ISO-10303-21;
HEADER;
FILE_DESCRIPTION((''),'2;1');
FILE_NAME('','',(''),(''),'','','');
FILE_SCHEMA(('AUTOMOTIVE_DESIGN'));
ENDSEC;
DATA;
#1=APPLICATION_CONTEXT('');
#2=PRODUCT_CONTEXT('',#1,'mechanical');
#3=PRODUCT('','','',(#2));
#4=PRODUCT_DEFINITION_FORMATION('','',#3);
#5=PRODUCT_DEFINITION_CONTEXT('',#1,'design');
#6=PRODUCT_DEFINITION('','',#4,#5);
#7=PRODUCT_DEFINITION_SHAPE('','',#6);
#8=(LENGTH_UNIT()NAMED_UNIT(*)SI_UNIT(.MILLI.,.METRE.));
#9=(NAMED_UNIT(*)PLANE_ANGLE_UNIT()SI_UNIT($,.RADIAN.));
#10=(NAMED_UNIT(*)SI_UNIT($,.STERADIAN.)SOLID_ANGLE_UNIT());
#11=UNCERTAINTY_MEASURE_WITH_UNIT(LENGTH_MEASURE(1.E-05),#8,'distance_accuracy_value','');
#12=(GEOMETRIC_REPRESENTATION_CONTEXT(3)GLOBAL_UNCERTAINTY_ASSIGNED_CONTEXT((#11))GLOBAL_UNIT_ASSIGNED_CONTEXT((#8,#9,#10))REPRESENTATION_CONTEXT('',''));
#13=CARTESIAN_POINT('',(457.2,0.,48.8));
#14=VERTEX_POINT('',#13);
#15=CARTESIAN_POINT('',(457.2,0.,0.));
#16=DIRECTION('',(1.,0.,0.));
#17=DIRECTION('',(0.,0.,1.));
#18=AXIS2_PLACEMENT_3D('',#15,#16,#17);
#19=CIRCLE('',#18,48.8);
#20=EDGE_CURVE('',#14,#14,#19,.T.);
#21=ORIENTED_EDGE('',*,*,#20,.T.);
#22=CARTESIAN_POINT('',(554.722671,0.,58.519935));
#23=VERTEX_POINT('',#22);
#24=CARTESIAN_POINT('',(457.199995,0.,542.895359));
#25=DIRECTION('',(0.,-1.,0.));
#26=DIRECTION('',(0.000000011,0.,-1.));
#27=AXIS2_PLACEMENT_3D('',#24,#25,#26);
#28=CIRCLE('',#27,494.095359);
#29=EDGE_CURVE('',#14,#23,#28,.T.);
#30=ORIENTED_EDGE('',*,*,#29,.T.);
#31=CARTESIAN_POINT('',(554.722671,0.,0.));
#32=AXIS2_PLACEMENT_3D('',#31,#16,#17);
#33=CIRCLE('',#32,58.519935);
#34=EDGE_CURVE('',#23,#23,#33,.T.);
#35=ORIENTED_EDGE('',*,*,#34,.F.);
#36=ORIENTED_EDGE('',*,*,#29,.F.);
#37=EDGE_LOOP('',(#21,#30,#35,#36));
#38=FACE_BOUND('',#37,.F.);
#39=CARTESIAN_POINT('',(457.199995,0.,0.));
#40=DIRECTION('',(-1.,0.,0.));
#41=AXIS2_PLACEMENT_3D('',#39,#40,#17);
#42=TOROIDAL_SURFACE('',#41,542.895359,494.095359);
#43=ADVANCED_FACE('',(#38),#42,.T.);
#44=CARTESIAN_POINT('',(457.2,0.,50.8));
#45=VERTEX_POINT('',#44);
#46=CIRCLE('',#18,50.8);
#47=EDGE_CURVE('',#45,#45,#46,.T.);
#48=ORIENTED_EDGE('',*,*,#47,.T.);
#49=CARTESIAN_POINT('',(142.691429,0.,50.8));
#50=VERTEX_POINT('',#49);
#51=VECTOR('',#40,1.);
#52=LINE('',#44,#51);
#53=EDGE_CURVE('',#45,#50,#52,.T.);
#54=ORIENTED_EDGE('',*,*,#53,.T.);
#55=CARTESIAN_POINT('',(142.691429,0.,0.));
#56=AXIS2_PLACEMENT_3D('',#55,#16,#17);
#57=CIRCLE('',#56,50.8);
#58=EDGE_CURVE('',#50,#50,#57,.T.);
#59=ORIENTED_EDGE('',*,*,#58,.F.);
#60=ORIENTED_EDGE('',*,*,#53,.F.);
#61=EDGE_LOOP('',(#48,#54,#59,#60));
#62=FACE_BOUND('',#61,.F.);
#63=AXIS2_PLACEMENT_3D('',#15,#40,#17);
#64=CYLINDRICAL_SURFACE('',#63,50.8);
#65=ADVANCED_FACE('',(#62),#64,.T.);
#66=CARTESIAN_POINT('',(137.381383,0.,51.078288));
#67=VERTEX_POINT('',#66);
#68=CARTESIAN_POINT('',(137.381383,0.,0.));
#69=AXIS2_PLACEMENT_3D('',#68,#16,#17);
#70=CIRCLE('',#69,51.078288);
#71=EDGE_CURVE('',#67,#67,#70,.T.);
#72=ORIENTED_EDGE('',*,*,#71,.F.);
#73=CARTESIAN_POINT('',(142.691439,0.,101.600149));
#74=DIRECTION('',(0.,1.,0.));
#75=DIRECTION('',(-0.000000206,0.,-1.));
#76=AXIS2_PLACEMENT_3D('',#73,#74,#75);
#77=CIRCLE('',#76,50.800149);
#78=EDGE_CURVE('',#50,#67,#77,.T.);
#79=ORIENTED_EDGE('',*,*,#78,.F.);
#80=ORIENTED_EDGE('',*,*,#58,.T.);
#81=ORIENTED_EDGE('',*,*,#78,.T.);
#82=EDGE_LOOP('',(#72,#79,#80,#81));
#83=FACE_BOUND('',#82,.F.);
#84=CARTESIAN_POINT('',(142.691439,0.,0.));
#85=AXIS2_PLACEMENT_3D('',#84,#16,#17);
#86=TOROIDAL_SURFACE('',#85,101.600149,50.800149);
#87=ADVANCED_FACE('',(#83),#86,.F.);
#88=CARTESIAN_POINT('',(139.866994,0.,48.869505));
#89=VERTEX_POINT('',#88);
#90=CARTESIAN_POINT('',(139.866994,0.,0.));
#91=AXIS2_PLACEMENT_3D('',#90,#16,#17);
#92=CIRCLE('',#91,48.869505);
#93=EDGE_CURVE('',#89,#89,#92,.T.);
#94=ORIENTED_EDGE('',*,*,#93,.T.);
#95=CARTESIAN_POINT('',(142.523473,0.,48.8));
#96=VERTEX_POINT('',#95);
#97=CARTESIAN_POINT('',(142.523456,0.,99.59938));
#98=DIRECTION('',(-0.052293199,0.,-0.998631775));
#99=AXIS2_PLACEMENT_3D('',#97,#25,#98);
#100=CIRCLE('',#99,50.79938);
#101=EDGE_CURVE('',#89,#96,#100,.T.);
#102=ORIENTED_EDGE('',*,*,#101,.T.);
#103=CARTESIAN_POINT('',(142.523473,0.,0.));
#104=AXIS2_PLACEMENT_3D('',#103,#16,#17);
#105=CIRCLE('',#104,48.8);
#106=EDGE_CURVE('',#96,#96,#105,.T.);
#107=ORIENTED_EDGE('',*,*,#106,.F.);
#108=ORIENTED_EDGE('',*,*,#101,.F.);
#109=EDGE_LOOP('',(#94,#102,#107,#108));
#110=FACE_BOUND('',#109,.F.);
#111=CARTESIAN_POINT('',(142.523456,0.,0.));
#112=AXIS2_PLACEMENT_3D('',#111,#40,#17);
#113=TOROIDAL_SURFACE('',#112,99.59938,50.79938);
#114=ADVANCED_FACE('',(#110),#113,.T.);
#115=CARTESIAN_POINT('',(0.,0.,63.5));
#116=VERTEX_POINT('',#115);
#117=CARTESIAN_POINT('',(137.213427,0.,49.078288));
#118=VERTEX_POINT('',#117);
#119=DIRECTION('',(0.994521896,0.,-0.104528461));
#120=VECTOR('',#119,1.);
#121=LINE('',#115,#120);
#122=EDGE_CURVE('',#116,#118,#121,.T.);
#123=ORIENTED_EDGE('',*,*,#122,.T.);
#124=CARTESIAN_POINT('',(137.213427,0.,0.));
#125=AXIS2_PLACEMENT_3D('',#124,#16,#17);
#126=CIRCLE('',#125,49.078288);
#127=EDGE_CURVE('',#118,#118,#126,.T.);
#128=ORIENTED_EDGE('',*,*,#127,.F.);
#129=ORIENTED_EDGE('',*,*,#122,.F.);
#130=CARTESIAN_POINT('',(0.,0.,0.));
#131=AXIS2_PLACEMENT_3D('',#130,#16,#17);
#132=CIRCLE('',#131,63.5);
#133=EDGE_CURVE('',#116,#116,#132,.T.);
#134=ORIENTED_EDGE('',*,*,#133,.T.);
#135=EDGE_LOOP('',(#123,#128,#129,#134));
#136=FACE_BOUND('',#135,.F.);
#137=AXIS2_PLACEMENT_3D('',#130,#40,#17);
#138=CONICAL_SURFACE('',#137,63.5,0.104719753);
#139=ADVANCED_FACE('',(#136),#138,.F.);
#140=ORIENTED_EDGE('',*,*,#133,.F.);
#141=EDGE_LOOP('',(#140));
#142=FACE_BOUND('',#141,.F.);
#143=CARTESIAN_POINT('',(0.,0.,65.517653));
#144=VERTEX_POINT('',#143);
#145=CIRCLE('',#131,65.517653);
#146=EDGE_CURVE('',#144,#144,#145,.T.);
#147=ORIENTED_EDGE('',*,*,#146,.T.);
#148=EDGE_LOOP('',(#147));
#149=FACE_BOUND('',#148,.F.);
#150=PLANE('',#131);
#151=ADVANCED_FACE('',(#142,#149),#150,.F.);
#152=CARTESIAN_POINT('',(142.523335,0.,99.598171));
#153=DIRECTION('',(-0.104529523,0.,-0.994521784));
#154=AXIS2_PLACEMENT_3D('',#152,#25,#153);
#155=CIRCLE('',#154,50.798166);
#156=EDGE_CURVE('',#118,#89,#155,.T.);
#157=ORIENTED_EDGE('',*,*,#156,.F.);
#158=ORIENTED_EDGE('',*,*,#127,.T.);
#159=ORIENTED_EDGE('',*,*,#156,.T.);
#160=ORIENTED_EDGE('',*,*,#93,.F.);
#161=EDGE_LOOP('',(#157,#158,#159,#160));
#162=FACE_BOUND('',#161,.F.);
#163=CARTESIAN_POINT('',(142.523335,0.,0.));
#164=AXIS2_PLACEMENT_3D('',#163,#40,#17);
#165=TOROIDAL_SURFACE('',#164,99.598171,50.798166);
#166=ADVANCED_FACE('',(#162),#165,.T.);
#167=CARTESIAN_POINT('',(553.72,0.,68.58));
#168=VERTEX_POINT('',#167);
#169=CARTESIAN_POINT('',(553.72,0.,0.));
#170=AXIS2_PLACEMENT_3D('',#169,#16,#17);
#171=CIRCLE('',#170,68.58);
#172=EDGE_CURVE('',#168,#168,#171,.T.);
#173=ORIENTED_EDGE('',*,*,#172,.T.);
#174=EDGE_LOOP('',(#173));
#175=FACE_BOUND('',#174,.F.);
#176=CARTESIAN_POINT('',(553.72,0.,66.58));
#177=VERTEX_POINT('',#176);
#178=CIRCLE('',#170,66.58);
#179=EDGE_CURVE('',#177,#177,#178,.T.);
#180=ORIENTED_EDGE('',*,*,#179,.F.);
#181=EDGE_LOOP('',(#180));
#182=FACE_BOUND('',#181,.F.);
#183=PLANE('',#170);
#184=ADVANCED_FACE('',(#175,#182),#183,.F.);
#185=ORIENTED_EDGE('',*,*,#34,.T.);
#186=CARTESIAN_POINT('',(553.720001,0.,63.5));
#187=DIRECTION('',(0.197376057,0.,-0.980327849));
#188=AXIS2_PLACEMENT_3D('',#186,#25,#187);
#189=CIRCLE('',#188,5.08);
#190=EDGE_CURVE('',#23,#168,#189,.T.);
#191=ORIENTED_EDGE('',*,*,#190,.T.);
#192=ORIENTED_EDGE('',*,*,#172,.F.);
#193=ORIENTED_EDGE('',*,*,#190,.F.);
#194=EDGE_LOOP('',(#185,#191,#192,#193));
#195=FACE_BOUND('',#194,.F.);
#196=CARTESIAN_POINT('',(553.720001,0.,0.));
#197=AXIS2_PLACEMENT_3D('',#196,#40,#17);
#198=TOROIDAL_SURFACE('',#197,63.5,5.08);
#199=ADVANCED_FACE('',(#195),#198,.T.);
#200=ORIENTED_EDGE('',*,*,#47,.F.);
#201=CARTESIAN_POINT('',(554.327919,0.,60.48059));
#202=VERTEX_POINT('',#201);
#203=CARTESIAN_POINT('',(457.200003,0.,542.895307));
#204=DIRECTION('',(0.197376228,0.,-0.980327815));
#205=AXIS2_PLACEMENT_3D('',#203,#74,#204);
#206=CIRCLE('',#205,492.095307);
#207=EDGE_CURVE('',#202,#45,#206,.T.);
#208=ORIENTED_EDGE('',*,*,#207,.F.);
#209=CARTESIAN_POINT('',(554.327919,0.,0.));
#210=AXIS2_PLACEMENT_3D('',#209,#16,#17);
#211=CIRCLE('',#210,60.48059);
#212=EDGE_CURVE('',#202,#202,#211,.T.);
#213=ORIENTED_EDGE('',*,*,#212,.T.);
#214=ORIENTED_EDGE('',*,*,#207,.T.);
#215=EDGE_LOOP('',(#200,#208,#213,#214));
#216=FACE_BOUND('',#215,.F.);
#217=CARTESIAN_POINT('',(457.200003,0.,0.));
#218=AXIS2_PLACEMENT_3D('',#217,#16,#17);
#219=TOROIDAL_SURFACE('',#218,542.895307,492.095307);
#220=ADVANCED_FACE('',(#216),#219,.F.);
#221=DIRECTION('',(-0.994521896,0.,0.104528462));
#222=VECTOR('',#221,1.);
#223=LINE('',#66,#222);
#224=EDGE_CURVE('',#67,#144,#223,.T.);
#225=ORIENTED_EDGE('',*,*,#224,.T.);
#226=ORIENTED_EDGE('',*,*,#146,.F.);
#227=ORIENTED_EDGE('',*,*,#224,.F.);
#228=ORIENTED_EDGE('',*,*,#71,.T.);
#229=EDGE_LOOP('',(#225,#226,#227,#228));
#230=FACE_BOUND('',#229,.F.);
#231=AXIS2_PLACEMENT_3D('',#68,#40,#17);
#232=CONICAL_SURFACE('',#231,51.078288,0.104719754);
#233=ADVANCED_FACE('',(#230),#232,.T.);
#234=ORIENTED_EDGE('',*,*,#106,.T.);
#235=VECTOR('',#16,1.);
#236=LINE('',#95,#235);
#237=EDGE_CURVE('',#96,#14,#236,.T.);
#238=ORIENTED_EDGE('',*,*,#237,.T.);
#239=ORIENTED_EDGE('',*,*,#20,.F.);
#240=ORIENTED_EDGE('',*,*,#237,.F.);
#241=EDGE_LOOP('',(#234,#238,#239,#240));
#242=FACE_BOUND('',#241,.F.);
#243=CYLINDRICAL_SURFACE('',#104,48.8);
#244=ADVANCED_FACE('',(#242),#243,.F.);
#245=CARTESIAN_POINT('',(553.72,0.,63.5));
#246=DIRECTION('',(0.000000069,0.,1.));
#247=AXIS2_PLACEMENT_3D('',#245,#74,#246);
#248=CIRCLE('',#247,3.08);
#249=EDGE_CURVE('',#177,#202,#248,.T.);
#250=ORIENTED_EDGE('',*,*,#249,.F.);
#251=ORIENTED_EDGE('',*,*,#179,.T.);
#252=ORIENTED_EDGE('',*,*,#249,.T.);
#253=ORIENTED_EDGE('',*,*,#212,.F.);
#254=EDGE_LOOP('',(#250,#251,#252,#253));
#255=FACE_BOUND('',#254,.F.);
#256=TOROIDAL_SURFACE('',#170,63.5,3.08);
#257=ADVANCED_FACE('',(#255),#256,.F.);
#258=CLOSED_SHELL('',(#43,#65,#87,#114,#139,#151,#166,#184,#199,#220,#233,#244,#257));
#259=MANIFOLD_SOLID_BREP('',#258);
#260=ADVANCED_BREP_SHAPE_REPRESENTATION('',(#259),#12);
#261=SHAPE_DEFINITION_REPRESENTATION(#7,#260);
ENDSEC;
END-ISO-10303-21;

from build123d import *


with BuildPart() as f1:
    # F0 (on Front) → F1 (revolve)
    with BuildSketch(Plane.XZ):
        with BuildLine():
            Line((457.2, 50.8), (142.691429, 50.8))
            ThreePointArc((142.691429, 50.8), (140.032762, 50.86962), (137.381383, 51.078288))
            Line((137.381383, 51.078288), (0, 65.517653))
            Line((0, 65.517653), (0, 63.5))
            Line((0, 63.5), (137.213427, 49.078288))
            ThreePointArc((137.213427, 49.078288), (138.538843, 48.956513), (139.866994, 48.869505))
            ThreePointArc((139.866994, 48.869505), (141.194779, 48.817379), (142.523473, 48.8))
            Line((142.523473, 48.8), (457.2, 48.8))
            ThreePointArc((457.2, 48.8), (506.20293, 51.235989), (554.722671, 58.519935))
            ThreePointArc((554.722671, 58.519935), (558.774955, 64.00382), (553.72, 68.58))
            Line((553.72, 68.58), (553.72, 66.58))
            ThreePointArc((553.72, 66.58), (556.784815, 63.805465), (554.327919, 60.48059))
            ThreePointArc((554.327919, 60.48059), (506.004576, 53.226128), (457.2, 50.8))
        make_face()
    revolve(axis=Axis((60.622651, 0, 0), (1, 0, 0)))


solid = f1.part
